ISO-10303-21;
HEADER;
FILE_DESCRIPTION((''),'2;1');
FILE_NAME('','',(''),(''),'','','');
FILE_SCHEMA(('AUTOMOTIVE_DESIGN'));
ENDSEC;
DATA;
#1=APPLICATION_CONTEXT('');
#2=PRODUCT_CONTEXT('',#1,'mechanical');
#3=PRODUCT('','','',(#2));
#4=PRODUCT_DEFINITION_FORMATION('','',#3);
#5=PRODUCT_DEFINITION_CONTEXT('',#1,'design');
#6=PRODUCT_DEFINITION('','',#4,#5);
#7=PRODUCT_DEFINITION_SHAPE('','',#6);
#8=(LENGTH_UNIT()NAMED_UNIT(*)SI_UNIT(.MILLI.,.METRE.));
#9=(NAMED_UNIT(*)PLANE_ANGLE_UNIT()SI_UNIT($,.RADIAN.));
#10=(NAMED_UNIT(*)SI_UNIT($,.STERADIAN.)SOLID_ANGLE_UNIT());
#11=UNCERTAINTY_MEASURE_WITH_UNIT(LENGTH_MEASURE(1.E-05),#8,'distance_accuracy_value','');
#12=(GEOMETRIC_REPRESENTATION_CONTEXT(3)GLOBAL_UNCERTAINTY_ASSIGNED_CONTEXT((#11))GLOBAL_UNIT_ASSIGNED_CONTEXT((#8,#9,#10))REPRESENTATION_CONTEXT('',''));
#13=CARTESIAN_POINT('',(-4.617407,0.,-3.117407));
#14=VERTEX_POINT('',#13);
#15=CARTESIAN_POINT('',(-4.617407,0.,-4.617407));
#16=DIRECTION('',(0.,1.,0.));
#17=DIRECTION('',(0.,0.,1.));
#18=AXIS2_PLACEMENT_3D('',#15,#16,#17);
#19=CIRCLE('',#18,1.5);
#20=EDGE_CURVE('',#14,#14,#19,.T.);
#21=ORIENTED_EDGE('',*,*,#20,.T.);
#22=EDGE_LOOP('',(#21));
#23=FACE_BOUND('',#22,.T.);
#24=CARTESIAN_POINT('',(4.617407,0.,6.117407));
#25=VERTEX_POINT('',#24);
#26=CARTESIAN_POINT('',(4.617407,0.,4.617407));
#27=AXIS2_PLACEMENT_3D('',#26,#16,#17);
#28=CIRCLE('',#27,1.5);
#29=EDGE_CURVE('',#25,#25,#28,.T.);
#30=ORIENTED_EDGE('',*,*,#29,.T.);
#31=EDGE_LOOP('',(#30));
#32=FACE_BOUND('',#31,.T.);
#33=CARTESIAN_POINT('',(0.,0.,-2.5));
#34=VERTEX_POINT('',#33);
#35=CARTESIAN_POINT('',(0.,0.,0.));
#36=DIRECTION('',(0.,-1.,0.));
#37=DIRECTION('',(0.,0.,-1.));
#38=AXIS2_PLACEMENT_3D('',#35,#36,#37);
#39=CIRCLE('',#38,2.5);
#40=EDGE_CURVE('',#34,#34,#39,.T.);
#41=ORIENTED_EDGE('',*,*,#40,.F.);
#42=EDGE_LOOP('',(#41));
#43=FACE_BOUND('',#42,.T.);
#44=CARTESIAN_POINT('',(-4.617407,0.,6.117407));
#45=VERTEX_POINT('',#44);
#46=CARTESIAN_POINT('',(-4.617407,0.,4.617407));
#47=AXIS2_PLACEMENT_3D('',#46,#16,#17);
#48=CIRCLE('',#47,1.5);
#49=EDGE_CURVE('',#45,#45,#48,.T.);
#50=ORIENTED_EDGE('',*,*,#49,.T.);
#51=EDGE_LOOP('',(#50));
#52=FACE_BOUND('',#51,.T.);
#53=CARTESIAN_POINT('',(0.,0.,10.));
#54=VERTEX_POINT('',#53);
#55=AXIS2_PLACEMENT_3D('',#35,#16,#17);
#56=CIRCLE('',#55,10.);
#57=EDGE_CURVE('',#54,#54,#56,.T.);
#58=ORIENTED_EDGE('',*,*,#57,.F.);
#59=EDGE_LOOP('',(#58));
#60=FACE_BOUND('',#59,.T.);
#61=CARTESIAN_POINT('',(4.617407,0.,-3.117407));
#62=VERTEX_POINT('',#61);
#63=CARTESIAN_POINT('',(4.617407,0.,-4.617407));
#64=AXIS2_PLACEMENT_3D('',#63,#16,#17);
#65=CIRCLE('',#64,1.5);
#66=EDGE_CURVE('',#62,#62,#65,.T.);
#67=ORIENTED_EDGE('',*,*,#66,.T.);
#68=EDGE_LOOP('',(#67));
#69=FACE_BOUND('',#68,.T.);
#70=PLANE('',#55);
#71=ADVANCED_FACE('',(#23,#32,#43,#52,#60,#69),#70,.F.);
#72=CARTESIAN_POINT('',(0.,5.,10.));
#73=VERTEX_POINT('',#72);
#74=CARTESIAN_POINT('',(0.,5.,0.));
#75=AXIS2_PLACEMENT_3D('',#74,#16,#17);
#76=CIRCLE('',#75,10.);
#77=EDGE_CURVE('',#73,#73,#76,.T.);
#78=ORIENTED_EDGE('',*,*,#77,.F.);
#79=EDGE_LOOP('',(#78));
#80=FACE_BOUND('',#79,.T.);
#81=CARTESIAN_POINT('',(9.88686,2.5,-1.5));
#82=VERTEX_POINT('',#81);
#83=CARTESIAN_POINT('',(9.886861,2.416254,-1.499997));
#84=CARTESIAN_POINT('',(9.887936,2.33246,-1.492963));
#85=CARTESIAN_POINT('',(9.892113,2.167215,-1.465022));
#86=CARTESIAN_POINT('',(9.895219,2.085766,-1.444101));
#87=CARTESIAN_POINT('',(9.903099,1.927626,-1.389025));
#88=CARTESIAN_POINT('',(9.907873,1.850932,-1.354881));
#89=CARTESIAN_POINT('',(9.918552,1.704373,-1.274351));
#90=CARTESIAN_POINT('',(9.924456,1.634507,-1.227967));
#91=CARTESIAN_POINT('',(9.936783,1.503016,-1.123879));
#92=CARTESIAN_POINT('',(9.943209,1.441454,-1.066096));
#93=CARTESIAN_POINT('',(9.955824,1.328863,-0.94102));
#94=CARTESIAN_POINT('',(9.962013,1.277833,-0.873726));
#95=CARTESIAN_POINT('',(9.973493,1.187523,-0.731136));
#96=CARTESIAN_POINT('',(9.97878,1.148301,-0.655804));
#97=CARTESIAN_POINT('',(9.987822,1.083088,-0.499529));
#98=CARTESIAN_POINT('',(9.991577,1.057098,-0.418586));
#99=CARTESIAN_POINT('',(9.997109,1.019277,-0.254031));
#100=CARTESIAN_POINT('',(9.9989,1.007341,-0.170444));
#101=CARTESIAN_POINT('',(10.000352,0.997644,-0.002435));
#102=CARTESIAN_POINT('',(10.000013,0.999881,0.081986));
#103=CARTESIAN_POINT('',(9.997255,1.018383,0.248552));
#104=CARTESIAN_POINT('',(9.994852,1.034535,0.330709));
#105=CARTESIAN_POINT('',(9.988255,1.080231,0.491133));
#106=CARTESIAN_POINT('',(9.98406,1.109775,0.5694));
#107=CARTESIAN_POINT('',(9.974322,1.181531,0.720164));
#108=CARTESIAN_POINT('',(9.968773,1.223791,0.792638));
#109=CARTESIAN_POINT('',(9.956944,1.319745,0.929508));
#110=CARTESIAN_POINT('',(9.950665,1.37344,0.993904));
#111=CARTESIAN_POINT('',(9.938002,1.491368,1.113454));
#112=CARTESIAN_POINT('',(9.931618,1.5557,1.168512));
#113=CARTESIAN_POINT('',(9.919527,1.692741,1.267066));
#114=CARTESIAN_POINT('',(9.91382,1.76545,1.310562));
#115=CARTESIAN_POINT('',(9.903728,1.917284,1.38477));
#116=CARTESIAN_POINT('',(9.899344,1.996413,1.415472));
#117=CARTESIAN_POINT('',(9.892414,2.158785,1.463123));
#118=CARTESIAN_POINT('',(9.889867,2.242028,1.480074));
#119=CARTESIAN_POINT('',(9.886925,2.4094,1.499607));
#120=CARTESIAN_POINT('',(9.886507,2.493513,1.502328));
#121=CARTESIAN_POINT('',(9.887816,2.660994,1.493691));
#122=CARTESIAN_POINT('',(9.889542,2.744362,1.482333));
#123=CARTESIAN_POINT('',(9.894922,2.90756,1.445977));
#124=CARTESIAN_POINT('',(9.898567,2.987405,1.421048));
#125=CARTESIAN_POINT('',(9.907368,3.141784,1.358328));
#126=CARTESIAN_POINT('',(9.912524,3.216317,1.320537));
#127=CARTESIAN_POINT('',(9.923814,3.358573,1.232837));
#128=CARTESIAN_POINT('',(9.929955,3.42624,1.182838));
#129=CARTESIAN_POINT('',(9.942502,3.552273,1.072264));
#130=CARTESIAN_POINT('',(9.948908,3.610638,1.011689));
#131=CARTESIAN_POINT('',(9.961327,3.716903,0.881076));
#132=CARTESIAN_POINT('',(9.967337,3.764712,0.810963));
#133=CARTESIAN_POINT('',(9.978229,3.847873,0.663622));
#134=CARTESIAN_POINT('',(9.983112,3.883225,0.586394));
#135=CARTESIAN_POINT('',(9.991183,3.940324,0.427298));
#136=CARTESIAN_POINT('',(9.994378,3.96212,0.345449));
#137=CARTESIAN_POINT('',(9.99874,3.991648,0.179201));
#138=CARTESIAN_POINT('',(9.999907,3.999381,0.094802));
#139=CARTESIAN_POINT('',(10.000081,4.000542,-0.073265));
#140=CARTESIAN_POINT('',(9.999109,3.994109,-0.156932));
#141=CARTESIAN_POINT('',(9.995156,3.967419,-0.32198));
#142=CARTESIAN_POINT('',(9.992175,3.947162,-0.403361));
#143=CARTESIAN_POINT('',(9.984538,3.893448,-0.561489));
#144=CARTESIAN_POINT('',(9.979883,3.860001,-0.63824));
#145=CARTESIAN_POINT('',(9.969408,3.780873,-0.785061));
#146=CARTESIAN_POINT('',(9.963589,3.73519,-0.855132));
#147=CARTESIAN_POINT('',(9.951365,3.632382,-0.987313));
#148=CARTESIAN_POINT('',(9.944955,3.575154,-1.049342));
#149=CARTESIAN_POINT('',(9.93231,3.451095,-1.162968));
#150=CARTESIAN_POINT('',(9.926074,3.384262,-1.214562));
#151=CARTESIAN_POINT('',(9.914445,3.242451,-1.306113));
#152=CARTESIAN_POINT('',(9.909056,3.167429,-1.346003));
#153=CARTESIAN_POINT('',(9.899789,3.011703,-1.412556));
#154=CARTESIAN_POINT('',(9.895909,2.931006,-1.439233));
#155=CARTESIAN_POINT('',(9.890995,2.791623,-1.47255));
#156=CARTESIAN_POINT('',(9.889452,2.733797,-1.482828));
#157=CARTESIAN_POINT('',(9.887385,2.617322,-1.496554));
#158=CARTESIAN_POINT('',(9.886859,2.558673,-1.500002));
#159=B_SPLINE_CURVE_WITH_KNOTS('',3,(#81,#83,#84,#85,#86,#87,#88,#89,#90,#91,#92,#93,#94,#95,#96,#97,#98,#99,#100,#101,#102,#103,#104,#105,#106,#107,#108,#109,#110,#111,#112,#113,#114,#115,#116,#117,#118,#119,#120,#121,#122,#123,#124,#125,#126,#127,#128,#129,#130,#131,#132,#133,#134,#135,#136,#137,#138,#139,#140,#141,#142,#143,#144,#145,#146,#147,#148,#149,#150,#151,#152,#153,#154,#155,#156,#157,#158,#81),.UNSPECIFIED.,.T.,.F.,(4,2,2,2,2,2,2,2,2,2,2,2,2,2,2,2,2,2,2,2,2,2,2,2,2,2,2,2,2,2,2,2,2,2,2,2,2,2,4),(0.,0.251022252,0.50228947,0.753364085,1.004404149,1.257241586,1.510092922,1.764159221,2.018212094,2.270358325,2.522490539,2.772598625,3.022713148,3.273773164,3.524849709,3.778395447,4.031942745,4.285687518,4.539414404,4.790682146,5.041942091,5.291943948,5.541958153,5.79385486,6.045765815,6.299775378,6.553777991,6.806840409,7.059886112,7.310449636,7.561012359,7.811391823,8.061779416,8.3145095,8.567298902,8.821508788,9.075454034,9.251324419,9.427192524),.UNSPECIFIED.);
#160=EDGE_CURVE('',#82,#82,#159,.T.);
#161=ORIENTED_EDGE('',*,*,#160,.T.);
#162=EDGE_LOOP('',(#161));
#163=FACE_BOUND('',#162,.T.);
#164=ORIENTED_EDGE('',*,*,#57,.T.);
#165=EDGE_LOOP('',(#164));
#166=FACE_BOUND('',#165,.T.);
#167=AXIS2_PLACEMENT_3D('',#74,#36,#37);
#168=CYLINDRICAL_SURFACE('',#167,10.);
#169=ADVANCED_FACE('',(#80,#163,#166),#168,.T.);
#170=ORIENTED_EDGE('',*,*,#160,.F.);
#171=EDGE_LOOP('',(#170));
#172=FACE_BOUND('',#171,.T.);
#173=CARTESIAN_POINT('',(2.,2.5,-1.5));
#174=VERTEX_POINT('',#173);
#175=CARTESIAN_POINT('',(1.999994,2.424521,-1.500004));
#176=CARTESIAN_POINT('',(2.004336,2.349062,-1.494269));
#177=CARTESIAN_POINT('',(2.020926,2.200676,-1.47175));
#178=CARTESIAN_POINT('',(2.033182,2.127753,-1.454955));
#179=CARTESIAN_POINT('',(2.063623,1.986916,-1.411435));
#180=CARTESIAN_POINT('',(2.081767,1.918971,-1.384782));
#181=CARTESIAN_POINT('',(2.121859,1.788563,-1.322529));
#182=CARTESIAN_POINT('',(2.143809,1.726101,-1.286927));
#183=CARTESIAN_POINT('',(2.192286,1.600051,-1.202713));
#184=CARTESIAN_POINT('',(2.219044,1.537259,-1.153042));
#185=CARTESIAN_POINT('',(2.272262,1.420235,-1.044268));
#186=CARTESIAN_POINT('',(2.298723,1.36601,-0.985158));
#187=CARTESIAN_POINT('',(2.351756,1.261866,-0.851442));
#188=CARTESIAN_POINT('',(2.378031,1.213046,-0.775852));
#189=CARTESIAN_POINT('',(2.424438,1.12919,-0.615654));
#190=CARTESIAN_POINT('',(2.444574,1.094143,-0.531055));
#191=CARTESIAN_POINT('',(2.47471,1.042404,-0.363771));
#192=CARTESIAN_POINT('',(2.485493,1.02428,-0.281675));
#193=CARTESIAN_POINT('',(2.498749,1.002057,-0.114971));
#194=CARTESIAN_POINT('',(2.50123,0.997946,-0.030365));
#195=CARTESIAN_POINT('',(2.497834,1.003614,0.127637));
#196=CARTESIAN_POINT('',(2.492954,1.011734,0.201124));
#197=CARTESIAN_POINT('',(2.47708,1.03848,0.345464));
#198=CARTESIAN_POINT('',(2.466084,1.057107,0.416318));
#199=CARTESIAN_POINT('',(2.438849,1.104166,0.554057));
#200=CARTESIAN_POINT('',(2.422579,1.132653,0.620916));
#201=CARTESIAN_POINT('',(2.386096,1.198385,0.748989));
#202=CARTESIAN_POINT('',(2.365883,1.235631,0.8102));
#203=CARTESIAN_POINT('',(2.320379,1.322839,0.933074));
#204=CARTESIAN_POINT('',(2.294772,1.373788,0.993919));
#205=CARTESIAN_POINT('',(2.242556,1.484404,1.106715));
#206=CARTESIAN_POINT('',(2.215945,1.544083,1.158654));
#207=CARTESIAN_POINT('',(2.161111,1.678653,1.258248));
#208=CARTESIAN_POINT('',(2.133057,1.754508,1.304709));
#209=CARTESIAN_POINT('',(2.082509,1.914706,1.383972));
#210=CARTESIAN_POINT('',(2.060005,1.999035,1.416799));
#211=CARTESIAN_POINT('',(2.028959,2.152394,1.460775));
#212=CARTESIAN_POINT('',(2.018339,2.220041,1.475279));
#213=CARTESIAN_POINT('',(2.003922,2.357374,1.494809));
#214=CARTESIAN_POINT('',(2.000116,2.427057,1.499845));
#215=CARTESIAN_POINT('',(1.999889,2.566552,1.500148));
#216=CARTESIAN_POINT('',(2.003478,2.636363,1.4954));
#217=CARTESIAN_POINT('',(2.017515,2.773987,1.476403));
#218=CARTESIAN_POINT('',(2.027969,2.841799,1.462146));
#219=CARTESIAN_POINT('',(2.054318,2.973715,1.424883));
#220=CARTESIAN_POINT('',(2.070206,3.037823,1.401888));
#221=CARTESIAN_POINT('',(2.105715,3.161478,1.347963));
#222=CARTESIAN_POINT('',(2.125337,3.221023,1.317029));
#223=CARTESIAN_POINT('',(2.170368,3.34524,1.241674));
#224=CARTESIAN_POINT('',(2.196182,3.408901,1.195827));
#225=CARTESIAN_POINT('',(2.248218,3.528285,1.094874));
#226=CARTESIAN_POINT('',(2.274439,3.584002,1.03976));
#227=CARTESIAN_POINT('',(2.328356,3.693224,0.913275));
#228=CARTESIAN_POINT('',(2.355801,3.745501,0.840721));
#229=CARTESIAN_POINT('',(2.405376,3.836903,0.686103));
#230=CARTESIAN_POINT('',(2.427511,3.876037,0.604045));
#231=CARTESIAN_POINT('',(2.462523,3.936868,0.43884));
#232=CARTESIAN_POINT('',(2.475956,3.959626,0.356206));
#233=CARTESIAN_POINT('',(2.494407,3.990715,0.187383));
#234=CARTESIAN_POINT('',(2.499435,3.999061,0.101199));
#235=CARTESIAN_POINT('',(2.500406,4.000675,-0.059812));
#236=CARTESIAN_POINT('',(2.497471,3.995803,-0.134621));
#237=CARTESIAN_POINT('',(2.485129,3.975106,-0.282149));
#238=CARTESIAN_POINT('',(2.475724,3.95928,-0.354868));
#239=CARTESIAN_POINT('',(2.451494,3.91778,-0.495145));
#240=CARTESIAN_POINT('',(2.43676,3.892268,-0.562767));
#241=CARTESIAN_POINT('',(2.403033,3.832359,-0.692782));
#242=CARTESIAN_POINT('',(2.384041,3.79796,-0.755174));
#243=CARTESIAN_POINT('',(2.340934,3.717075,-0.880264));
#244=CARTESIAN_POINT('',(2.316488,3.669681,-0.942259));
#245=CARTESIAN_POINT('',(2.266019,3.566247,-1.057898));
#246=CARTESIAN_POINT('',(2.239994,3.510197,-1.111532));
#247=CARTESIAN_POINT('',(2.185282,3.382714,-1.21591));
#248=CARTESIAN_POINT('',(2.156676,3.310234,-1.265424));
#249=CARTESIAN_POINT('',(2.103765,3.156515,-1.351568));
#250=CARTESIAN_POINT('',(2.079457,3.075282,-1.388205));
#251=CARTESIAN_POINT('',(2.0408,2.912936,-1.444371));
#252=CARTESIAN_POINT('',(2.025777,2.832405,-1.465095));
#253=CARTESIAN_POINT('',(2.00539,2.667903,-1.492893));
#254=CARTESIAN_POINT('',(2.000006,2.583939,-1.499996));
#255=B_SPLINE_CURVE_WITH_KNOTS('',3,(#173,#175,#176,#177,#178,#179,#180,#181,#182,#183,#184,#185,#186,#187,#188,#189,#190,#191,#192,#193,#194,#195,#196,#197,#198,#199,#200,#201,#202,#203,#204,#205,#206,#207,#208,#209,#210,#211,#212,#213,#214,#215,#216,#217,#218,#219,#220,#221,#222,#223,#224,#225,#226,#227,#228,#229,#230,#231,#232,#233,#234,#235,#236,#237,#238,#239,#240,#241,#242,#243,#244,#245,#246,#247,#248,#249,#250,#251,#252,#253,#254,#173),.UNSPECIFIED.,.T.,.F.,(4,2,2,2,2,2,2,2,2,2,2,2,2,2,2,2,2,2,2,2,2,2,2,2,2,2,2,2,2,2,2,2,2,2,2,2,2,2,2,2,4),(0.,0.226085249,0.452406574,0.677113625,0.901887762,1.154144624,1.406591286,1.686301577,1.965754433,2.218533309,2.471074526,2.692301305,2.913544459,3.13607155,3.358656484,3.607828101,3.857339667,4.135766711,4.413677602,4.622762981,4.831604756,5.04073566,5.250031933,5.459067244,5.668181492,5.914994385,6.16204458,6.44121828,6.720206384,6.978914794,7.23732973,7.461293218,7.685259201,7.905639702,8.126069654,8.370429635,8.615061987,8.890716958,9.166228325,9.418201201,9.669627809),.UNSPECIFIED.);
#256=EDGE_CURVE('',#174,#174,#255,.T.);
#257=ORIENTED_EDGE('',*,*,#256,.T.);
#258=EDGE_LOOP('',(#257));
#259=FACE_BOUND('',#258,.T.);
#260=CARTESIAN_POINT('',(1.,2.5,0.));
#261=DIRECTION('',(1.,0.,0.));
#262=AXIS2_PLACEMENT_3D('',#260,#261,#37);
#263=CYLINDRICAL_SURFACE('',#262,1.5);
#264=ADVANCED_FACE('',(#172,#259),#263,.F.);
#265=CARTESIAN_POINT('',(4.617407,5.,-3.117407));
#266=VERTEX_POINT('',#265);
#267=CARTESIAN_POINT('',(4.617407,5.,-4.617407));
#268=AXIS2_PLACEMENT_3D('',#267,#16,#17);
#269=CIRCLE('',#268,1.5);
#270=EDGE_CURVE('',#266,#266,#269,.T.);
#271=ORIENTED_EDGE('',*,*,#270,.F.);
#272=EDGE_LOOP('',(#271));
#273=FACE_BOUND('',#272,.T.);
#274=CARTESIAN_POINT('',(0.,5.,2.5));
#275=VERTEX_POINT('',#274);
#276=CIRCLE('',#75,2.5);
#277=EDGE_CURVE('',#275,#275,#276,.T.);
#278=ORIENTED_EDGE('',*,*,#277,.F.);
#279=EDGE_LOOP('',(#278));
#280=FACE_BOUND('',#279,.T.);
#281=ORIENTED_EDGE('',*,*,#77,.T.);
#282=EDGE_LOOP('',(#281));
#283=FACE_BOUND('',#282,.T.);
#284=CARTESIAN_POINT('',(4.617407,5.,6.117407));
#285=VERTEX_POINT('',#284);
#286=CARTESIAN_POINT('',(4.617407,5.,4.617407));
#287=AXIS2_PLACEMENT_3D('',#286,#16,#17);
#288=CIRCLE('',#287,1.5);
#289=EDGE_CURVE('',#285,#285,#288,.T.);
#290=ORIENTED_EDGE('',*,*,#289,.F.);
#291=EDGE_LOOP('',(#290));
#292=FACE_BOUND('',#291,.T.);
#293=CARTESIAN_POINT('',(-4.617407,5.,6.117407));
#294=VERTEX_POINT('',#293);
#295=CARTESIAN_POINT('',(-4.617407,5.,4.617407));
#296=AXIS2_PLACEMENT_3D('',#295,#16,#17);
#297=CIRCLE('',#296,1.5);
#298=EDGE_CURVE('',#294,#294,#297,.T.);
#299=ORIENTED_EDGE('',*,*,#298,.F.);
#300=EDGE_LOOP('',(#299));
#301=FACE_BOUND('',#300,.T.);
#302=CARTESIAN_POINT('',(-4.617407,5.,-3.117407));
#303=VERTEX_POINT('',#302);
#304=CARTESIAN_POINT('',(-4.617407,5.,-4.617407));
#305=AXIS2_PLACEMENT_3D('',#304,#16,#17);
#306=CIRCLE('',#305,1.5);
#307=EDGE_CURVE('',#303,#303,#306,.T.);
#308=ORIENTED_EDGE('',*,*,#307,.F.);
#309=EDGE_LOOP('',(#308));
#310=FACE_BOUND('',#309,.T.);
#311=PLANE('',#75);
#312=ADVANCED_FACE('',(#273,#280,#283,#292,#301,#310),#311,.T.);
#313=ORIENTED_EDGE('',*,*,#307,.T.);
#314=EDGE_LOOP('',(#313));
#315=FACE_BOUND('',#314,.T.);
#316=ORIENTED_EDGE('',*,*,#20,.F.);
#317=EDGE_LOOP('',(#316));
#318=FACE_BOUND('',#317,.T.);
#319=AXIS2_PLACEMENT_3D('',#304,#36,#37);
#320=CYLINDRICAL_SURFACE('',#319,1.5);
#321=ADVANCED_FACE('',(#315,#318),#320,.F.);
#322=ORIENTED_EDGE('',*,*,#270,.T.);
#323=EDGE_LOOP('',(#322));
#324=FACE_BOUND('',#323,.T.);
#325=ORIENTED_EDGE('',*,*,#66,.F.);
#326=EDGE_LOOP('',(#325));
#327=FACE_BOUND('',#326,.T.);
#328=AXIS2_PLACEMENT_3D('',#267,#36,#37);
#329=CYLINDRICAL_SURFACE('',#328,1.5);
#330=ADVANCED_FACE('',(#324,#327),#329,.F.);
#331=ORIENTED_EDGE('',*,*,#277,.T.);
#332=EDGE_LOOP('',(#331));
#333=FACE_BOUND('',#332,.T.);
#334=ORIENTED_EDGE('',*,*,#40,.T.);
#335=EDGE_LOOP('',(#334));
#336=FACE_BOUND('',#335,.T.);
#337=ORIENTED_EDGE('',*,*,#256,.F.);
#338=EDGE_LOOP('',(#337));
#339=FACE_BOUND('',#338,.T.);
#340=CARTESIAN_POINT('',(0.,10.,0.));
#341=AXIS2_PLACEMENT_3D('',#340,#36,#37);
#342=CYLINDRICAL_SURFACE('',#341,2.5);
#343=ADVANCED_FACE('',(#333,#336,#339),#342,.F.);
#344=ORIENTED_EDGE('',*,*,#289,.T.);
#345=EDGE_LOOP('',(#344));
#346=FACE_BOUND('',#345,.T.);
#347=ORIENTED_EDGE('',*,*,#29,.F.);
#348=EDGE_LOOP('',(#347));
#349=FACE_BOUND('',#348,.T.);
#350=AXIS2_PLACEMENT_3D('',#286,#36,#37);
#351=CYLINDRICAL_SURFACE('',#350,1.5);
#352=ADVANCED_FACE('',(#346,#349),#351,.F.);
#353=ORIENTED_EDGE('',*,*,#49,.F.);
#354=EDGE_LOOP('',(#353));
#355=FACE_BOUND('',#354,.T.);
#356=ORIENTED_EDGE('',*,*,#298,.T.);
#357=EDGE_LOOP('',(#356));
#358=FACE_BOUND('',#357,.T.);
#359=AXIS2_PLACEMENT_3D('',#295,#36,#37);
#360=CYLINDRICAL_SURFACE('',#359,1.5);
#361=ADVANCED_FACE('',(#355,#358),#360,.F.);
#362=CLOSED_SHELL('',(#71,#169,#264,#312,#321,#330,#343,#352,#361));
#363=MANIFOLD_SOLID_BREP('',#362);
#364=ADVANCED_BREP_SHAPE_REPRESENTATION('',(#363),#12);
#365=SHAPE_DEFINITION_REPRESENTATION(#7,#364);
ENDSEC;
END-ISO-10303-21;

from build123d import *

# Parameters (mm, degrees)
SKETCH_1_R          = 1.5
EXTRUDE_1_DEPTH     = 5
SKETCH_2_R          = 1.5
CUT_EXTRUDE_4_DEPTH = 9
SKETCH1_R           = 2.5
CUT_EXTRUDE1_DEPTH  = 10


with BuildPart() as part:
    # Эскиз1 → Бобышка-Вытянуть1 (new body)
    # profile 1 of 2: a face of its own
    with BuildSketch(Plane(origin=(0, 0, 0), x_dir=(1, 0, 0), z_dir=(0, 1, 0))):
        with BuildLine():
            Line((0, 10), (0, 2))
            ThreePointArc((0, 2), (0.765366865, 1.847759065), (1.414213562, 1.414213562))
            Line((1.414213562, 1.414213562), (3.556747109, 3.556747109))
            ThreePointArc((3.556747109, 3.556747109), (3.556747109, 5.678067453), (5.678067453, 5.678067453))
            Line((5.678067453, 5.678067453), (7.071067812, 7.071067812))
            ThreePointArc((7.071067812, 7.071067812), (3.826834324, 9.238795325), (0, 10))
        make_face()
    # profile 2 of 2: a face of its own
    with BuildSketch(Plane(origin=(0, 0, 0), x_dir=(1, 0, 0), z_dir=(0, 1, 0))):
        with BuildLine():
            ThreePointArc((2, 0), (-1.414213562, -1.414213562), (0, 2))
            Line((0, 2), (0, 10))
            ThreePointArc((0, 10), (-7.071067812, -7.071067812), (10, 0))
            ThreePointArc((10, 0), (9.238795325, 3.826834324), (7.071067812, 7.071067812))
            Line((7.071067812, 7.071067812), (5.678067453, 5.678067453))
            ThreePointArc((5.678067453, 5.678067453), (6.00322658, 5.19143243), (6.117407281, 4.617407281))
            ThreePointArc((6.117407281, 4.617407281), (5.19143243, 3.231587982), (3.556747109, 3.556747109))
            Line((3.556747109, 3.556747109), (1.414213562, 1.414213562))
            ThreePointArc((1.414213562, 1.414213562), (1.847759065, 0.765366865), (2, 0))
        make_face()
        with Locations(Location((-4.617407281, -4.617407281, 0), (0, 0, 270))):
            Circle(SKETCH_1_R, mode=Mode.SUBTRACT)
        with Locations(Location((4.617407281, -4.617407281, 0), (0, 0, 270))):
            Circle(SKETCH_1_R, mode=Mode.SUBTRACT)
        with Locations(Location((-4.617407281, 4.617407281, 0), (0, 0, 270))):
            Circle(SKETCH_1_R, mode=Mode.SUBTRACT)
    extrude(amount=EXTRUDE_1_DEPTH)

    # Эскиз2 → Вырез-Вытянуть4 (cut)
    with BuildSketch(Plane(origin=(10, 0, 0), x_dir=(0, 0, -1), z_dir=(1, 0, 0))):
        with Locations((0, 2.5)):
            Circle(SKETCH_2_R)
    extrude(amount=-CUT_EXTRUDE_4_DEPTH, mode=Mode.SUBTRACT)

    # Sketch1 → Cut-Extrude1 (cut)
    with BuildSketch(Plane.XZ):
        with Locations(Location((0, 0, 0), (0, 0, 270))):
            Circle(SKETCH1_R)
    extrude(amount=-CUT_EXTRUDE1_DEPTH, mode=Mode.SUBTRACT)


solid = part.part
